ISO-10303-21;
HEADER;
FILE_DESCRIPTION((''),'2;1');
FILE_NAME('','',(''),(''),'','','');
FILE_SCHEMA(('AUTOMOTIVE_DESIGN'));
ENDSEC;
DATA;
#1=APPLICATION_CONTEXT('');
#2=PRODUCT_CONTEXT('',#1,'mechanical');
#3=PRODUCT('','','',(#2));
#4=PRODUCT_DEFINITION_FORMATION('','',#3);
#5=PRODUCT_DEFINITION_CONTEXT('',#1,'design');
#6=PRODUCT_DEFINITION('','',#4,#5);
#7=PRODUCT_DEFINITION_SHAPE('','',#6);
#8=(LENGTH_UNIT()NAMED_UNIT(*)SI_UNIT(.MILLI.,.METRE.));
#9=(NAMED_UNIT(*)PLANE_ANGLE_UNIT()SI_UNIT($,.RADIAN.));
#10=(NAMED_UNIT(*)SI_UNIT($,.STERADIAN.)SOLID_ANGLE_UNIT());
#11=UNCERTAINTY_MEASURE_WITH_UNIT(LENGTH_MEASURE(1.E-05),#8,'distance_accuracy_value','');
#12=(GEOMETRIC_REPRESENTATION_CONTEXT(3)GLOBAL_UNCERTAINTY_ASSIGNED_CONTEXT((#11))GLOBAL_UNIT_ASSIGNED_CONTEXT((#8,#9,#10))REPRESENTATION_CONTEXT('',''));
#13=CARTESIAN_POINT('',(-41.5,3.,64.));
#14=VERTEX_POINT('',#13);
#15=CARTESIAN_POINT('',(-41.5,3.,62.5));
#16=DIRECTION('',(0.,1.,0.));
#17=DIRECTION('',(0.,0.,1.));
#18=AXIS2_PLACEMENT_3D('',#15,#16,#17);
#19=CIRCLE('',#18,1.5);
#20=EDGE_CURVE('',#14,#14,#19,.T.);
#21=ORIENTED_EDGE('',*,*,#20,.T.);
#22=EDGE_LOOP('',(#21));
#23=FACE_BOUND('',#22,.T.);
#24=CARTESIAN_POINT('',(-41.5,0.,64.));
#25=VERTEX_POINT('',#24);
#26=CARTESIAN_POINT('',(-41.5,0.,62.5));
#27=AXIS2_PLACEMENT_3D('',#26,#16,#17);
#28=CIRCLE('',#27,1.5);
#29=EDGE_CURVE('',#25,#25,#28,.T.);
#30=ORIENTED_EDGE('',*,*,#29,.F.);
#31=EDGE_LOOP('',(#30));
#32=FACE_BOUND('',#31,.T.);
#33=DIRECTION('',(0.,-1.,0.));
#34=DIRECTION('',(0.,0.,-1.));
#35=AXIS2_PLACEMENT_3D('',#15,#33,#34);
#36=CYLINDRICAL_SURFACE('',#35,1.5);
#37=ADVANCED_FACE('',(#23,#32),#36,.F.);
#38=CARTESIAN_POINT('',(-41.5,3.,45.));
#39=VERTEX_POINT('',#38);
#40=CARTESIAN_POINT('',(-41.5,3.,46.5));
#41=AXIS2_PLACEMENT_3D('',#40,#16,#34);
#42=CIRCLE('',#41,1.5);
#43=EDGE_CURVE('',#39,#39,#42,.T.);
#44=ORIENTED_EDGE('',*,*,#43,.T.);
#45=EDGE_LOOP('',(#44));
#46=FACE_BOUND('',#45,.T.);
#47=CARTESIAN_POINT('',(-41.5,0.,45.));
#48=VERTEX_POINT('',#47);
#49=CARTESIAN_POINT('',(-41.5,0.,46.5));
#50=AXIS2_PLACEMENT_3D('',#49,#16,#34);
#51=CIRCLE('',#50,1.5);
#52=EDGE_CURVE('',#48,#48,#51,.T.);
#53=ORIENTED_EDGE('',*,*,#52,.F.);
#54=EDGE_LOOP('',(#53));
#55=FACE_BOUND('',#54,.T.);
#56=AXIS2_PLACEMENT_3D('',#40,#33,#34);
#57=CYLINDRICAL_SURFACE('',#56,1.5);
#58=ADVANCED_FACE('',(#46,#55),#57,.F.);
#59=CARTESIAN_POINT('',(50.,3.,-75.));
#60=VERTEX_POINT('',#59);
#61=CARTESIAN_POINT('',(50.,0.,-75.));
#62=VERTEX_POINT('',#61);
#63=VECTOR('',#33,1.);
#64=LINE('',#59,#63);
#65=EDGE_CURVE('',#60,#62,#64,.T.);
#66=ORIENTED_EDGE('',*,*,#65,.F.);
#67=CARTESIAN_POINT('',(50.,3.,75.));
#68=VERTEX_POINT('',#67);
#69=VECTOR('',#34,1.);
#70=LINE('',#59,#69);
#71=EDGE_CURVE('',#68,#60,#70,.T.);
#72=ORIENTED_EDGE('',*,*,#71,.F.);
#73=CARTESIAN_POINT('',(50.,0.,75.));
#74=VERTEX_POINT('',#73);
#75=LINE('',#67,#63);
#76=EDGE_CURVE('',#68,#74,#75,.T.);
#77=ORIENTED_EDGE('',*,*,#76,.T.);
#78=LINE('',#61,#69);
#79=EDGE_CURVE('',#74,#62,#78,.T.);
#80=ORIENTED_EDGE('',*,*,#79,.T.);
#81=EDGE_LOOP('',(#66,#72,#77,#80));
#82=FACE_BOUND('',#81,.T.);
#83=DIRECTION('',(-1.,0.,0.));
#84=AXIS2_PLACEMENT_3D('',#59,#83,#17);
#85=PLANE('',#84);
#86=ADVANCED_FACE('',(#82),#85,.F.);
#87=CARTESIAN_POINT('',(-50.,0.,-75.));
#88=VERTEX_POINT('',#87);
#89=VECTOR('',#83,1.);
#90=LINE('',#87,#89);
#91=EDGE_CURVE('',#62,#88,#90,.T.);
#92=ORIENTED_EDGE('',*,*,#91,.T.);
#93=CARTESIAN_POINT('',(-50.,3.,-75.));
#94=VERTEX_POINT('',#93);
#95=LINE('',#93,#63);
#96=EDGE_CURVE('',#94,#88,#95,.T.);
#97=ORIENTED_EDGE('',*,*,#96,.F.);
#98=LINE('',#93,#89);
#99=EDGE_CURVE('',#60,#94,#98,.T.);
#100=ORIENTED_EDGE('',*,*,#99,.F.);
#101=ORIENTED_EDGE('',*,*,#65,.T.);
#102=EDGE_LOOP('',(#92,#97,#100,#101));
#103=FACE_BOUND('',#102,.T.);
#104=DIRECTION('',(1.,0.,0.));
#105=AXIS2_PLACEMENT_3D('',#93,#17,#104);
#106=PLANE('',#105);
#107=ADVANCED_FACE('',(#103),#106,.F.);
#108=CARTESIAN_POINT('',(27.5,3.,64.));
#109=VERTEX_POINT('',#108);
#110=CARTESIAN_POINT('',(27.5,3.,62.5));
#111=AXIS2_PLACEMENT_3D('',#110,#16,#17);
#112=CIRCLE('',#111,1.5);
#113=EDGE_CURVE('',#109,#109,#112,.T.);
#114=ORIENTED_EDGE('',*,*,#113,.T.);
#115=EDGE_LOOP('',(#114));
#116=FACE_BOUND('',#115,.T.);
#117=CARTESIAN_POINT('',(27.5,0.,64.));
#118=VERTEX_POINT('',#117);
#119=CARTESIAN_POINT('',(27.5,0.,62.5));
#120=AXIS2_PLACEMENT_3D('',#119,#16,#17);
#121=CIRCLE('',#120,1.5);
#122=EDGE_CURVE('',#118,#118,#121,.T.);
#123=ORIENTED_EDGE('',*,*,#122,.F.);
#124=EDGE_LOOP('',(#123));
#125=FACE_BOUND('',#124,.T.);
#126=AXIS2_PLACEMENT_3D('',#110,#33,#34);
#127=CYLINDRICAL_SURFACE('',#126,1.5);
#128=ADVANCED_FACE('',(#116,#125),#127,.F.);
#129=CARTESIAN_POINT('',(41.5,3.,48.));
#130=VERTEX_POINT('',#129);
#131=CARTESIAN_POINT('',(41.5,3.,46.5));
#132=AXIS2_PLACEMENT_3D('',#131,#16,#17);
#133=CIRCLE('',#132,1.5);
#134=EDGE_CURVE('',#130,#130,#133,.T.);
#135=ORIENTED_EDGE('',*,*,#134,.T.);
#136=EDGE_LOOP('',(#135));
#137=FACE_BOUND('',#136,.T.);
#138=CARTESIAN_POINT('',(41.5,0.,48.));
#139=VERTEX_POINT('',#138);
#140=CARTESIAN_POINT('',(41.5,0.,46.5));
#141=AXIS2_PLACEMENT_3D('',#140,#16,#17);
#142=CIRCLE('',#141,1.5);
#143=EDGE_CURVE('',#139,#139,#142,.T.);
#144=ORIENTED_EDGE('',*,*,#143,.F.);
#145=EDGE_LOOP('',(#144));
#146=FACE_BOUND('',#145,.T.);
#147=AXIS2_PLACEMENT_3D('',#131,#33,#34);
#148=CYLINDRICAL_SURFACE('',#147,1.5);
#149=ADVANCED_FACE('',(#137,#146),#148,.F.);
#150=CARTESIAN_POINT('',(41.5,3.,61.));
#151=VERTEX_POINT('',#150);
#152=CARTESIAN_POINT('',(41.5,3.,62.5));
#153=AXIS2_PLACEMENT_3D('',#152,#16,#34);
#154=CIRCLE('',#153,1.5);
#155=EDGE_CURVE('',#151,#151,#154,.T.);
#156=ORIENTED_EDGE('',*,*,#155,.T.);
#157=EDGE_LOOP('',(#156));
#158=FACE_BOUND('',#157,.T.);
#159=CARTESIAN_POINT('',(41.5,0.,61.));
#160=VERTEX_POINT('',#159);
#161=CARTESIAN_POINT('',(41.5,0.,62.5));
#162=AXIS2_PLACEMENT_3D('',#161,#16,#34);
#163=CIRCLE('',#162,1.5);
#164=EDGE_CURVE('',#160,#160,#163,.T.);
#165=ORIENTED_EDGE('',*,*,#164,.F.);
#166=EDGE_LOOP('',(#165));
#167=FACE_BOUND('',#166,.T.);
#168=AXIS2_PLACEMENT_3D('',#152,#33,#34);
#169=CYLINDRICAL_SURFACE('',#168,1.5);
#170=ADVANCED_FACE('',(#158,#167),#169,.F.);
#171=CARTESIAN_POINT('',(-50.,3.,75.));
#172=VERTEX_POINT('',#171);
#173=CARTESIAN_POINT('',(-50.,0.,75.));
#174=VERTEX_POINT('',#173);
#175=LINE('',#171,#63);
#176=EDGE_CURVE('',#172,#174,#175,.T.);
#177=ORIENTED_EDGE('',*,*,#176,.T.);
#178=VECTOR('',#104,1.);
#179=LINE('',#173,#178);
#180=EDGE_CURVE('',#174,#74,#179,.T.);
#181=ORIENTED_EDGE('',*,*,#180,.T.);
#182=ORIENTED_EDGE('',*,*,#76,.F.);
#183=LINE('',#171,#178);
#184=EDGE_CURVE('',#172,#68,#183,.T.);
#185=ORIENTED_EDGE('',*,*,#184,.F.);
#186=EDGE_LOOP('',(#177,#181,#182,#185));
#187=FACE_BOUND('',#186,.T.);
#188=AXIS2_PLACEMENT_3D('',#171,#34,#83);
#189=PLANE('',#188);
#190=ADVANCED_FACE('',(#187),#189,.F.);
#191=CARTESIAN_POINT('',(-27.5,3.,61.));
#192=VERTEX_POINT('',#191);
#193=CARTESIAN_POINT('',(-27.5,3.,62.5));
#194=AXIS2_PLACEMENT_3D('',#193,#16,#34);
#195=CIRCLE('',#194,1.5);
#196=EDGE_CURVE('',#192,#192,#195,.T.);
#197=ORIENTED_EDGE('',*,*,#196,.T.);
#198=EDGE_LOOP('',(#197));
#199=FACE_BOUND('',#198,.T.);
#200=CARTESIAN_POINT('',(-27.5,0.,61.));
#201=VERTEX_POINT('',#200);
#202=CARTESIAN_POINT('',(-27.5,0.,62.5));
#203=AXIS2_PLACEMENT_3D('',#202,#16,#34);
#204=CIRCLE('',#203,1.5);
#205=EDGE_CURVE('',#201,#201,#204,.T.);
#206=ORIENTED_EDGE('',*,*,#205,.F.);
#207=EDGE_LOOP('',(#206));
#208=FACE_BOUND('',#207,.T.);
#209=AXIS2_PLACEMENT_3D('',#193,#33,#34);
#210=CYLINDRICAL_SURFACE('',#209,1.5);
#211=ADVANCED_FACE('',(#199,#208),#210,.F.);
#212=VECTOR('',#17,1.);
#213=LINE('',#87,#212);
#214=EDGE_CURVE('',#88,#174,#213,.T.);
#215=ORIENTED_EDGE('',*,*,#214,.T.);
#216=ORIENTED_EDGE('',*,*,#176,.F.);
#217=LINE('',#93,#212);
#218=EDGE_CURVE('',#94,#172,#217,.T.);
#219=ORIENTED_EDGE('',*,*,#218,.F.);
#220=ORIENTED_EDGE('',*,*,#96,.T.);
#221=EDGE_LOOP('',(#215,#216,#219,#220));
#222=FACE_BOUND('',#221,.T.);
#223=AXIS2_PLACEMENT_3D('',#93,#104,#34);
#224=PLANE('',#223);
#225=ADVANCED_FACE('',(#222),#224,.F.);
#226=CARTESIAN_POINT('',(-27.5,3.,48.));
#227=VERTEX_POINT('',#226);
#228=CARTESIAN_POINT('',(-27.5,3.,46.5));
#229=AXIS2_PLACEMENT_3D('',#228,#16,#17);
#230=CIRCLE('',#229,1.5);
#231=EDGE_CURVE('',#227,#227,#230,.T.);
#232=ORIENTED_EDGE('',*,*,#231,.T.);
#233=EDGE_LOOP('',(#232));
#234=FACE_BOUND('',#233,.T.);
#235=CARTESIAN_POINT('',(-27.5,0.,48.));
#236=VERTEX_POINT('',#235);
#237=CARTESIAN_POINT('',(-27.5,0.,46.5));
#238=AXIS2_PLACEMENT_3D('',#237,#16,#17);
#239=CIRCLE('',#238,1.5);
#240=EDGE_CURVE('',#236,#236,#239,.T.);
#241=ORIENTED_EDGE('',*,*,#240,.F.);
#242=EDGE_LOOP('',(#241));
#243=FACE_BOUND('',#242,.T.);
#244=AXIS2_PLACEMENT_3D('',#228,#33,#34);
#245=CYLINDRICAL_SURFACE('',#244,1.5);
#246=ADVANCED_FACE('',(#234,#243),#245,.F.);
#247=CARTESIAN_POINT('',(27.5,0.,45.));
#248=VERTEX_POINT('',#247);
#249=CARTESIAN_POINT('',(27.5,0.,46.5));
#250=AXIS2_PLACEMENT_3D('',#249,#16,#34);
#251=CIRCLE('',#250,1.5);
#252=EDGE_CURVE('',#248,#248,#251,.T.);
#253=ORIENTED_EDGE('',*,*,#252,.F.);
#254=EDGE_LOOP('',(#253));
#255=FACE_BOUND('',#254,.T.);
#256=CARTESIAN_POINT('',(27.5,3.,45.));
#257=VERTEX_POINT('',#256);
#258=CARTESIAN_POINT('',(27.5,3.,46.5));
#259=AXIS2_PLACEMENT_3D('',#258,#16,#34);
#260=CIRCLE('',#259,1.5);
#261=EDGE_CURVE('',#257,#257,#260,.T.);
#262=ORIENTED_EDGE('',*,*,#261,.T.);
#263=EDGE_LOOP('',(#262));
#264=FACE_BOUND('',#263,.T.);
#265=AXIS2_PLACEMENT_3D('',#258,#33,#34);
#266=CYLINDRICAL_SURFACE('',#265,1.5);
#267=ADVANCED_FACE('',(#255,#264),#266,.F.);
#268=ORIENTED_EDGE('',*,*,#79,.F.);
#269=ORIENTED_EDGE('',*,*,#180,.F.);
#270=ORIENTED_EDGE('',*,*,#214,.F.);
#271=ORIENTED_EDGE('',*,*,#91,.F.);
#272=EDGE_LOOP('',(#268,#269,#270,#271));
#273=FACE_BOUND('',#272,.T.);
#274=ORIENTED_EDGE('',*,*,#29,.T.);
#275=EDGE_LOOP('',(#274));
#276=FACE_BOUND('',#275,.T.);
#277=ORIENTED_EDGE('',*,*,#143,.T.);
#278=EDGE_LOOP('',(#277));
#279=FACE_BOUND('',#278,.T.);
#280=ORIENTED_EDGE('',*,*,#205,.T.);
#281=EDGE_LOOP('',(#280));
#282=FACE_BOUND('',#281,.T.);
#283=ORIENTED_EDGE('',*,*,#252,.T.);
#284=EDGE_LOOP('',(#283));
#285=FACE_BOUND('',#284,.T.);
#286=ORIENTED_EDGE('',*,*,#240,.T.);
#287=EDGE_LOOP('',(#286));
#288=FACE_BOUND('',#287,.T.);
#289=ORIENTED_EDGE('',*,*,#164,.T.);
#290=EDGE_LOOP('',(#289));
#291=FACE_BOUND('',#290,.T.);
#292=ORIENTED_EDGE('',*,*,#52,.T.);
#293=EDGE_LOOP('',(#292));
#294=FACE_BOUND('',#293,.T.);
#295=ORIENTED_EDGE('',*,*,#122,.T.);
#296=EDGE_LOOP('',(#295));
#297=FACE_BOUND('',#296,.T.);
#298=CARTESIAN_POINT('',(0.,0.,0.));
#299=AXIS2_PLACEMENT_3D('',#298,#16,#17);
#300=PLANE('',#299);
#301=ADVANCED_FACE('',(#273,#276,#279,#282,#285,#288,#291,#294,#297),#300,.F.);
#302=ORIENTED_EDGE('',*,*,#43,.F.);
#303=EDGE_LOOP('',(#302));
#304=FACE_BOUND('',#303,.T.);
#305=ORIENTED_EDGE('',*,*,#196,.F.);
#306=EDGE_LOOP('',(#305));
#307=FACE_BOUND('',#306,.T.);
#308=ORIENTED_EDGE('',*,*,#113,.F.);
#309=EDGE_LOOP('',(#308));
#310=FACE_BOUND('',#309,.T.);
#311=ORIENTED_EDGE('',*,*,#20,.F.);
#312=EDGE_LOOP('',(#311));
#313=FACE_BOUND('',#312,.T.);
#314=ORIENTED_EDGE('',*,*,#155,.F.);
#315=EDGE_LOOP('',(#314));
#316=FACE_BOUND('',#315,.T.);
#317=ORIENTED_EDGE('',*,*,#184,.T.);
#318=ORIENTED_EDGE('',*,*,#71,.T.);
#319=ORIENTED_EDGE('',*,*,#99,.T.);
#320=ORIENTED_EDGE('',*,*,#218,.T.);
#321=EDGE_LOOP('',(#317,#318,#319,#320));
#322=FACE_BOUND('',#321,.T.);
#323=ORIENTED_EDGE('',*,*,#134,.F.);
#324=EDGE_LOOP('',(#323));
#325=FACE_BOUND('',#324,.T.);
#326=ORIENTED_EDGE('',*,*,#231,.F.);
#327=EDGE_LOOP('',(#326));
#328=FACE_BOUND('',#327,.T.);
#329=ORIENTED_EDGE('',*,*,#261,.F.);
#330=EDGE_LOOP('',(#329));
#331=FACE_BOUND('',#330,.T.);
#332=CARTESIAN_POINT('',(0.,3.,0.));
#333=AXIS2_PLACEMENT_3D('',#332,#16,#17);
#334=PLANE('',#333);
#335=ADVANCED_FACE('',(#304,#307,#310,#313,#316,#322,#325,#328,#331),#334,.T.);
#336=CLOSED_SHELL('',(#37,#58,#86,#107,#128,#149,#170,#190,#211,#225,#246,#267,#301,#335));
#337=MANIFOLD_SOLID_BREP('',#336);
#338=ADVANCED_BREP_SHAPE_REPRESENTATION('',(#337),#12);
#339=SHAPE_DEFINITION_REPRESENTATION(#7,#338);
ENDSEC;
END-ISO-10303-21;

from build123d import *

# Parameters (mm, degrees)
SKETCH_1_W      = 100
SKETCH_1_H      = 150
SKETCH_1_R      = 1.5
EXTRUDE_1_DEPTH = 3


with BuildPart() as part:
    # 草图1 → 凸台-拉伸1 (new body)
    with BuildSketch(Plane(origin=(0, 0, 0), x_dir=(1, 0, 0), z_dir=(0, 1, 0))):
        Rectangle(SKETCH_1_W, SKETCH_1_H)
        with Locations(Location((-41.5, -62.5, 0), (0, 0, 270))):
            Circle(SKETCH_1_R, mode=Mode.SUBTRACT)
        with Locations(Location((-41.5, -46.5, 0), (0, 0, 90))):
            Circle(SKETCH_1_R, mode=Mode.SUBTRACT)
        with Locations(Location((-27.5, -62.5, 0), (0, 0, 90))):
            Circle(SKETCH_1_R, mode=Mode.SUBTRACT)
        with Locations(Location((-27.5, -46.5, 0), (0, 0, 270))):
            Circle(SKETCH_1_R, mode=Mode.SUBTRACT)
        with Locations(Location((41.5, -62.5, 0), (0, 0, 90))):
            Circle(SKETCH_1_R, mode=Mode.SUBTRACT)
        with Locations(Location((27.5, -62.5, 0), (0, 0, 270))):
            Circle(SKETCH_1_R, mode=Mode.SUBTRACT)
        with Locations(Location((27.5, -46.5, 0), (0, 0, 90))):
            Circle(SKETCH_1_R, mode=Mode.SUBTRACT)
        with Locations(Location((41.5, -46.5, 0), (0, 0, 270))):
            Circle(SKETCH_1_R, mode=Mode.SUBTRACT)
    extrude(amount=EXTRUDE_1_DEPTH)


solid = part.part
